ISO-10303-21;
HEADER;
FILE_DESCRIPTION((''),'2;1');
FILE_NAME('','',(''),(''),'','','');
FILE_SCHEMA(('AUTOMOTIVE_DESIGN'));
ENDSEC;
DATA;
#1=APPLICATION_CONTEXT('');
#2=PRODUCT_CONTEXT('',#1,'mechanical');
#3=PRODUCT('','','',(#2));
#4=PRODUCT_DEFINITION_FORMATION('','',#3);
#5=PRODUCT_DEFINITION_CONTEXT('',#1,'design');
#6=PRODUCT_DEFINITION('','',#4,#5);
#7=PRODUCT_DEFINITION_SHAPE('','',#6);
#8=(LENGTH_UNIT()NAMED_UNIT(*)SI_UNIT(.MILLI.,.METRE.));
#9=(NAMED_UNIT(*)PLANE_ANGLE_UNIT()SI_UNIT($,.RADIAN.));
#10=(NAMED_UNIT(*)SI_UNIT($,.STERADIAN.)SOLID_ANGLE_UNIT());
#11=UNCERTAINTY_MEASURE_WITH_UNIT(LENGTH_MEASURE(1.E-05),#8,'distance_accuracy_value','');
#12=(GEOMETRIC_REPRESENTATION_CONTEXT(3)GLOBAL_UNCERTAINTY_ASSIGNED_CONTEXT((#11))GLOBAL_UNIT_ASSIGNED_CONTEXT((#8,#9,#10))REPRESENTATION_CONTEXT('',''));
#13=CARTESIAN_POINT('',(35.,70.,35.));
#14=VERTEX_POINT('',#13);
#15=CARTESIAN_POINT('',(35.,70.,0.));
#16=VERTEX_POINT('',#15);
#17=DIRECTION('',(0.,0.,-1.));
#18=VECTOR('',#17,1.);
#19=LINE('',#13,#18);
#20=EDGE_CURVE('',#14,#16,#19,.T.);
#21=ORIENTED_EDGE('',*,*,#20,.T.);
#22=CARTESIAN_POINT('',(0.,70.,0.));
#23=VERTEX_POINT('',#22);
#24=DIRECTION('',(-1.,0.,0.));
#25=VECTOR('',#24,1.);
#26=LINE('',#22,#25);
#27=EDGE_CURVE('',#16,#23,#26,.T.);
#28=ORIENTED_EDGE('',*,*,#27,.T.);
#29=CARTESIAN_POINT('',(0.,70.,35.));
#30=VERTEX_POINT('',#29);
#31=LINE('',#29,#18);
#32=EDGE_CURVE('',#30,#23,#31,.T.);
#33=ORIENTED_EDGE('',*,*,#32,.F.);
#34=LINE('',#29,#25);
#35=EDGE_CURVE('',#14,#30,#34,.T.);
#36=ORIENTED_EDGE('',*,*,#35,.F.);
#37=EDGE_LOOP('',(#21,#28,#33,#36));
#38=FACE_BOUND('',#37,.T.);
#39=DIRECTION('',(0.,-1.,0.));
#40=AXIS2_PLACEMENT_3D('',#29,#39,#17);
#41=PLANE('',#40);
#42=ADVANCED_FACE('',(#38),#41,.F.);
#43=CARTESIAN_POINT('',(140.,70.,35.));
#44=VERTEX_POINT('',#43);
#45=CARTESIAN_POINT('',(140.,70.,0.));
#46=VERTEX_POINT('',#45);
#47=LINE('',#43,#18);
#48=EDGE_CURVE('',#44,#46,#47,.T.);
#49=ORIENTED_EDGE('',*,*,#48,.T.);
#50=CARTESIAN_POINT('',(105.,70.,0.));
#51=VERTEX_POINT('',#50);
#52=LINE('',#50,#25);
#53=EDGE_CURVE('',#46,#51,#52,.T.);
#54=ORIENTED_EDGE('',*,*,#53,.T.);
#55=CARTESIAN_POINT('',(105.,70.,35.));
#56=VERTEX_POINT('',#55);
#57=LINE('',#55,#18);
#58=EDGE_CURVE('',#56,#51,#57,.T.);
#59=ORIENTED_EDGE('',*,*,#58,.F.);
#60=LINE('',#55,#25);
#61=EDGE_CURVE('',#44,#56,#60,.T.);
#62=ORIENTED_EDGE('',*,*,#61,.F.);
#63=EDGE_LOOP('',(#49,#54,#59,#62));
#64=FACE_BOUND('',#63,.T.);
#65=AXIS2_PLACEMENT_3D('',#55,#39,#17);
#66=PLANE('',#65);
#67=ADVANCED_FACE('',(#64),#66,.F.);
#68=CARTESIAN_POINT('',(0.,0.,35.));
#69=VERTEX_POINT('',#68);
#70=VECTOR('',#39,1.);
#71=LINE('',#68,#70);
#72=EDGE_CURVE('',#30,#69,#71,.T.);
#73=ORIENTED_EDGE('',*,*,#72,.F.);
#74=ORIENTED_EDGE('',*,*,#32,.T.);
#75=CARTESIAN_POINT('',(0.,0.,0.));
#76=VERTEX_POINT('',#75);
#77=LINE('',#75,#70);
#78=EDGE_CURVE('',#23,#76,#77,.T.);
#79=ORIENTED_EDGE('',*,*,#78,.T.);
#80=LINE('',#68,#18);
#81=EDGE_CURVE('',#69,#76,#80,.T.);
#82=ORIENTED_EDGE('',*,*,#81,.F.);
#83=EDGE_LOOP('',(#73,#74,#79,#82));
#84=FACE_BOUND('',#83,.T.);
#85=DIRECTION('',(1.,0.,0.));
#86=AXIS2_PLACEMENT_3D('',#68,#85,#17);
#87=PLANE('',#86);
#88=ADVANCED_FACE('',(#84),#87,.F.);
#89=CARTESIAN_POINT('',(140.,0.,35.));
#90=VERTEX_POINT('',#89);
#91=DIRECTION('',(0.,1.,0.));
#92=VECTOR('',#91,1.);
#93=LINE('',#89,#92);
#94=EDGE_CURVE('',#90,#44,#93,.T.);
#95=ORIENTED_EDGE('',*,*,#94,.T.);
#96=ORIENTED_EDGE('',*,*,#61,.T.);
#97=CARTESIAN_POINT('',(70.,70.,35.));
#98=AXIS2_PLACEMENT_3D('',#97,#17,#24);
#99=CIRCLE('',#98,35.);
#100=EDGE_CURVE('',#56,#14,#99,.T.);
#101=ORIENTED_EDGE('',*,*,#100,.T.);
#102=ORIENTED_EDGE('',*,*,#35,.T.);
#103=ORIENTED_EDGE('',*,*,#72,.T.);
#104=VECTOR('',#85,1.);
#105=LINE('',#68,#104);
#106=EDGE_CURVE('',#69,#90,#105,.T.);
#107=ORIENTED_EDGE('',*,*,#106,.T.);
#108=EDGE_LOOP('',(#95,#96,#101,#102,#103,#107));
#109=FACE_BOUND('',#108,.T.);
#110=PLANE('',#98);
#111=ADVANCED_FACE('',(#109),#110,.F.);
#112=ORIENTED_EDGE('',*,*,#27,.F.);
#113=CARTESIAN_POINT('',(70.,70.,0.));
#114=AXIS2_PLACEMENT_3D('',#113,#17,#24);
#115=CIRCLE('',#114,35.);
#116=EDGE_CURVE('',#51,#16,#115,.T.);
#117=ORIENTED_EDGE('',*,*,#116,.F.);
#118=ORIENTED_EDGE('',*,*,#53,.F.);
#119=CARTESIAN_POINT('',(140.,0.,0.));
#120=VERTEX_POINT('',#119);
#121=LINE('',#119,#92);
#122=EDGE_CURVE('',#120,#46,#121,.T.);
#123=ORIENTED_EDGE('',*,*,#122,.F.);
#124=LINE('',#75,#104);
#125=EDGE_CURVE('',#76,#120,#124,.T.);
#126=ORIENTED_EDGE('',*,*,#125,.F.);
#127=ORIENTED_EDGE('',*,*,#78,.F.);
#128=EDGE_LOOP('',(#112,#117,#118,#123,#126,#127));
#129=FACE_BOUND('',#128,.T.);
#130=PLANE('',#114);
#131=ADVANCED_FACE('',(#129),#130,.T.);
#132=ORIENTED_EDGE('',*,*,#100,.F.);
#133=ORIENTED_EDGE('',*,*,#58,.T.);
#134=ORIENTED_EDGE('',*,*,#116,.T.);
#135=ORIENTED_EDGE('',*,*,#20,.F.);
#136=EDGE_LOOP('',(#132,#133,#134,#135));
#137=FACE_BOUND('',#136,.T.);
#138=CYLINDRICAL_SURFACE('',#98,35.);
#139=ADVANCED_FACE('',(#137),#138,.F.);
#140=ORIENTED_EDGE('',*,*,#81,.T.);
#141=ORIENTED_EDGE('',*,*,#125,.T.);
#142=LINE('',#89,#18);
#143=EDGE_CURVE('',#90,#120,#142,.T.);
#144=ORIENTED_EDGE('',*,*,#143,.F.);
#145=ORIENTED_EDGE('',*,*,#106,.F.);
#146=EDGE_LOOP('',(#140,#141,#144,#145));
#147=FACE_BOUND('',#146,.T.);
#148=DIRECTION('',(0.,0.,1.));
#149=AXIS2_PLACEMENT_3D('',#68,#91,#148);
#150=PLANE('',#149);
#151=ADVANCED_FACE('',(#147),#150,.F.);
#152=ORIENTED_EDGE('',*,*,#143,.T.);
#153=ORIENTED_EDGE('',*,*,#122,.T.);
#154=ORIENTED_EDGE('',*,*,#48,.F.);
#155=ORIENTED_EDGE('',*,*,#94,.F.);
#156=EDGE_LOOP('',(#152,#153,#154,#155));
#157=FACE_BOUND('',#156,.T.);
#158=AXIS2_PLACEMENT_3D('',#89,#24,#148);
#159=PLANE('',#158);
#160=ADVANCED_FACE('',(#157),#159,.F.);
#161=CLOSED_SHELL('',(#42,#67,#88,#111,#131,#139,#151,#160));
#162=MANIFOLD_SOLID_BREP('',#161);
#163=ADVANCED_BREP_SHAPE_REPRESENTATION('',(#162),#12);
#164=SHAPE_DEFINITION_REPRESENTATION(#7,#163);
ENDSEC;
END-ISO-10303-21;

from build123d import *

# Parameters (mm, degrees)
BOSS_EXTRUDE1_DEPTH = 35


with BuildPart() as part:
    # Sketch1 → Boss-Extrude1 (new body)
    with BuildSketch(Plane.XY):
        with BuildLine():
            Line((105, 70), (140, 70))
            Line((140, 70), (140, 0))
            Line((140, 0), (0, 0))
            Line((0, 0), (0, 70))
            Line((0, 70), (35, 70))
            ThreePointArc((35, 70), (70, 35), (105, 70))
        make_face()
    extrude(amount=BOSS_EXTRUDE1_DEPTH)


solid = part.part
